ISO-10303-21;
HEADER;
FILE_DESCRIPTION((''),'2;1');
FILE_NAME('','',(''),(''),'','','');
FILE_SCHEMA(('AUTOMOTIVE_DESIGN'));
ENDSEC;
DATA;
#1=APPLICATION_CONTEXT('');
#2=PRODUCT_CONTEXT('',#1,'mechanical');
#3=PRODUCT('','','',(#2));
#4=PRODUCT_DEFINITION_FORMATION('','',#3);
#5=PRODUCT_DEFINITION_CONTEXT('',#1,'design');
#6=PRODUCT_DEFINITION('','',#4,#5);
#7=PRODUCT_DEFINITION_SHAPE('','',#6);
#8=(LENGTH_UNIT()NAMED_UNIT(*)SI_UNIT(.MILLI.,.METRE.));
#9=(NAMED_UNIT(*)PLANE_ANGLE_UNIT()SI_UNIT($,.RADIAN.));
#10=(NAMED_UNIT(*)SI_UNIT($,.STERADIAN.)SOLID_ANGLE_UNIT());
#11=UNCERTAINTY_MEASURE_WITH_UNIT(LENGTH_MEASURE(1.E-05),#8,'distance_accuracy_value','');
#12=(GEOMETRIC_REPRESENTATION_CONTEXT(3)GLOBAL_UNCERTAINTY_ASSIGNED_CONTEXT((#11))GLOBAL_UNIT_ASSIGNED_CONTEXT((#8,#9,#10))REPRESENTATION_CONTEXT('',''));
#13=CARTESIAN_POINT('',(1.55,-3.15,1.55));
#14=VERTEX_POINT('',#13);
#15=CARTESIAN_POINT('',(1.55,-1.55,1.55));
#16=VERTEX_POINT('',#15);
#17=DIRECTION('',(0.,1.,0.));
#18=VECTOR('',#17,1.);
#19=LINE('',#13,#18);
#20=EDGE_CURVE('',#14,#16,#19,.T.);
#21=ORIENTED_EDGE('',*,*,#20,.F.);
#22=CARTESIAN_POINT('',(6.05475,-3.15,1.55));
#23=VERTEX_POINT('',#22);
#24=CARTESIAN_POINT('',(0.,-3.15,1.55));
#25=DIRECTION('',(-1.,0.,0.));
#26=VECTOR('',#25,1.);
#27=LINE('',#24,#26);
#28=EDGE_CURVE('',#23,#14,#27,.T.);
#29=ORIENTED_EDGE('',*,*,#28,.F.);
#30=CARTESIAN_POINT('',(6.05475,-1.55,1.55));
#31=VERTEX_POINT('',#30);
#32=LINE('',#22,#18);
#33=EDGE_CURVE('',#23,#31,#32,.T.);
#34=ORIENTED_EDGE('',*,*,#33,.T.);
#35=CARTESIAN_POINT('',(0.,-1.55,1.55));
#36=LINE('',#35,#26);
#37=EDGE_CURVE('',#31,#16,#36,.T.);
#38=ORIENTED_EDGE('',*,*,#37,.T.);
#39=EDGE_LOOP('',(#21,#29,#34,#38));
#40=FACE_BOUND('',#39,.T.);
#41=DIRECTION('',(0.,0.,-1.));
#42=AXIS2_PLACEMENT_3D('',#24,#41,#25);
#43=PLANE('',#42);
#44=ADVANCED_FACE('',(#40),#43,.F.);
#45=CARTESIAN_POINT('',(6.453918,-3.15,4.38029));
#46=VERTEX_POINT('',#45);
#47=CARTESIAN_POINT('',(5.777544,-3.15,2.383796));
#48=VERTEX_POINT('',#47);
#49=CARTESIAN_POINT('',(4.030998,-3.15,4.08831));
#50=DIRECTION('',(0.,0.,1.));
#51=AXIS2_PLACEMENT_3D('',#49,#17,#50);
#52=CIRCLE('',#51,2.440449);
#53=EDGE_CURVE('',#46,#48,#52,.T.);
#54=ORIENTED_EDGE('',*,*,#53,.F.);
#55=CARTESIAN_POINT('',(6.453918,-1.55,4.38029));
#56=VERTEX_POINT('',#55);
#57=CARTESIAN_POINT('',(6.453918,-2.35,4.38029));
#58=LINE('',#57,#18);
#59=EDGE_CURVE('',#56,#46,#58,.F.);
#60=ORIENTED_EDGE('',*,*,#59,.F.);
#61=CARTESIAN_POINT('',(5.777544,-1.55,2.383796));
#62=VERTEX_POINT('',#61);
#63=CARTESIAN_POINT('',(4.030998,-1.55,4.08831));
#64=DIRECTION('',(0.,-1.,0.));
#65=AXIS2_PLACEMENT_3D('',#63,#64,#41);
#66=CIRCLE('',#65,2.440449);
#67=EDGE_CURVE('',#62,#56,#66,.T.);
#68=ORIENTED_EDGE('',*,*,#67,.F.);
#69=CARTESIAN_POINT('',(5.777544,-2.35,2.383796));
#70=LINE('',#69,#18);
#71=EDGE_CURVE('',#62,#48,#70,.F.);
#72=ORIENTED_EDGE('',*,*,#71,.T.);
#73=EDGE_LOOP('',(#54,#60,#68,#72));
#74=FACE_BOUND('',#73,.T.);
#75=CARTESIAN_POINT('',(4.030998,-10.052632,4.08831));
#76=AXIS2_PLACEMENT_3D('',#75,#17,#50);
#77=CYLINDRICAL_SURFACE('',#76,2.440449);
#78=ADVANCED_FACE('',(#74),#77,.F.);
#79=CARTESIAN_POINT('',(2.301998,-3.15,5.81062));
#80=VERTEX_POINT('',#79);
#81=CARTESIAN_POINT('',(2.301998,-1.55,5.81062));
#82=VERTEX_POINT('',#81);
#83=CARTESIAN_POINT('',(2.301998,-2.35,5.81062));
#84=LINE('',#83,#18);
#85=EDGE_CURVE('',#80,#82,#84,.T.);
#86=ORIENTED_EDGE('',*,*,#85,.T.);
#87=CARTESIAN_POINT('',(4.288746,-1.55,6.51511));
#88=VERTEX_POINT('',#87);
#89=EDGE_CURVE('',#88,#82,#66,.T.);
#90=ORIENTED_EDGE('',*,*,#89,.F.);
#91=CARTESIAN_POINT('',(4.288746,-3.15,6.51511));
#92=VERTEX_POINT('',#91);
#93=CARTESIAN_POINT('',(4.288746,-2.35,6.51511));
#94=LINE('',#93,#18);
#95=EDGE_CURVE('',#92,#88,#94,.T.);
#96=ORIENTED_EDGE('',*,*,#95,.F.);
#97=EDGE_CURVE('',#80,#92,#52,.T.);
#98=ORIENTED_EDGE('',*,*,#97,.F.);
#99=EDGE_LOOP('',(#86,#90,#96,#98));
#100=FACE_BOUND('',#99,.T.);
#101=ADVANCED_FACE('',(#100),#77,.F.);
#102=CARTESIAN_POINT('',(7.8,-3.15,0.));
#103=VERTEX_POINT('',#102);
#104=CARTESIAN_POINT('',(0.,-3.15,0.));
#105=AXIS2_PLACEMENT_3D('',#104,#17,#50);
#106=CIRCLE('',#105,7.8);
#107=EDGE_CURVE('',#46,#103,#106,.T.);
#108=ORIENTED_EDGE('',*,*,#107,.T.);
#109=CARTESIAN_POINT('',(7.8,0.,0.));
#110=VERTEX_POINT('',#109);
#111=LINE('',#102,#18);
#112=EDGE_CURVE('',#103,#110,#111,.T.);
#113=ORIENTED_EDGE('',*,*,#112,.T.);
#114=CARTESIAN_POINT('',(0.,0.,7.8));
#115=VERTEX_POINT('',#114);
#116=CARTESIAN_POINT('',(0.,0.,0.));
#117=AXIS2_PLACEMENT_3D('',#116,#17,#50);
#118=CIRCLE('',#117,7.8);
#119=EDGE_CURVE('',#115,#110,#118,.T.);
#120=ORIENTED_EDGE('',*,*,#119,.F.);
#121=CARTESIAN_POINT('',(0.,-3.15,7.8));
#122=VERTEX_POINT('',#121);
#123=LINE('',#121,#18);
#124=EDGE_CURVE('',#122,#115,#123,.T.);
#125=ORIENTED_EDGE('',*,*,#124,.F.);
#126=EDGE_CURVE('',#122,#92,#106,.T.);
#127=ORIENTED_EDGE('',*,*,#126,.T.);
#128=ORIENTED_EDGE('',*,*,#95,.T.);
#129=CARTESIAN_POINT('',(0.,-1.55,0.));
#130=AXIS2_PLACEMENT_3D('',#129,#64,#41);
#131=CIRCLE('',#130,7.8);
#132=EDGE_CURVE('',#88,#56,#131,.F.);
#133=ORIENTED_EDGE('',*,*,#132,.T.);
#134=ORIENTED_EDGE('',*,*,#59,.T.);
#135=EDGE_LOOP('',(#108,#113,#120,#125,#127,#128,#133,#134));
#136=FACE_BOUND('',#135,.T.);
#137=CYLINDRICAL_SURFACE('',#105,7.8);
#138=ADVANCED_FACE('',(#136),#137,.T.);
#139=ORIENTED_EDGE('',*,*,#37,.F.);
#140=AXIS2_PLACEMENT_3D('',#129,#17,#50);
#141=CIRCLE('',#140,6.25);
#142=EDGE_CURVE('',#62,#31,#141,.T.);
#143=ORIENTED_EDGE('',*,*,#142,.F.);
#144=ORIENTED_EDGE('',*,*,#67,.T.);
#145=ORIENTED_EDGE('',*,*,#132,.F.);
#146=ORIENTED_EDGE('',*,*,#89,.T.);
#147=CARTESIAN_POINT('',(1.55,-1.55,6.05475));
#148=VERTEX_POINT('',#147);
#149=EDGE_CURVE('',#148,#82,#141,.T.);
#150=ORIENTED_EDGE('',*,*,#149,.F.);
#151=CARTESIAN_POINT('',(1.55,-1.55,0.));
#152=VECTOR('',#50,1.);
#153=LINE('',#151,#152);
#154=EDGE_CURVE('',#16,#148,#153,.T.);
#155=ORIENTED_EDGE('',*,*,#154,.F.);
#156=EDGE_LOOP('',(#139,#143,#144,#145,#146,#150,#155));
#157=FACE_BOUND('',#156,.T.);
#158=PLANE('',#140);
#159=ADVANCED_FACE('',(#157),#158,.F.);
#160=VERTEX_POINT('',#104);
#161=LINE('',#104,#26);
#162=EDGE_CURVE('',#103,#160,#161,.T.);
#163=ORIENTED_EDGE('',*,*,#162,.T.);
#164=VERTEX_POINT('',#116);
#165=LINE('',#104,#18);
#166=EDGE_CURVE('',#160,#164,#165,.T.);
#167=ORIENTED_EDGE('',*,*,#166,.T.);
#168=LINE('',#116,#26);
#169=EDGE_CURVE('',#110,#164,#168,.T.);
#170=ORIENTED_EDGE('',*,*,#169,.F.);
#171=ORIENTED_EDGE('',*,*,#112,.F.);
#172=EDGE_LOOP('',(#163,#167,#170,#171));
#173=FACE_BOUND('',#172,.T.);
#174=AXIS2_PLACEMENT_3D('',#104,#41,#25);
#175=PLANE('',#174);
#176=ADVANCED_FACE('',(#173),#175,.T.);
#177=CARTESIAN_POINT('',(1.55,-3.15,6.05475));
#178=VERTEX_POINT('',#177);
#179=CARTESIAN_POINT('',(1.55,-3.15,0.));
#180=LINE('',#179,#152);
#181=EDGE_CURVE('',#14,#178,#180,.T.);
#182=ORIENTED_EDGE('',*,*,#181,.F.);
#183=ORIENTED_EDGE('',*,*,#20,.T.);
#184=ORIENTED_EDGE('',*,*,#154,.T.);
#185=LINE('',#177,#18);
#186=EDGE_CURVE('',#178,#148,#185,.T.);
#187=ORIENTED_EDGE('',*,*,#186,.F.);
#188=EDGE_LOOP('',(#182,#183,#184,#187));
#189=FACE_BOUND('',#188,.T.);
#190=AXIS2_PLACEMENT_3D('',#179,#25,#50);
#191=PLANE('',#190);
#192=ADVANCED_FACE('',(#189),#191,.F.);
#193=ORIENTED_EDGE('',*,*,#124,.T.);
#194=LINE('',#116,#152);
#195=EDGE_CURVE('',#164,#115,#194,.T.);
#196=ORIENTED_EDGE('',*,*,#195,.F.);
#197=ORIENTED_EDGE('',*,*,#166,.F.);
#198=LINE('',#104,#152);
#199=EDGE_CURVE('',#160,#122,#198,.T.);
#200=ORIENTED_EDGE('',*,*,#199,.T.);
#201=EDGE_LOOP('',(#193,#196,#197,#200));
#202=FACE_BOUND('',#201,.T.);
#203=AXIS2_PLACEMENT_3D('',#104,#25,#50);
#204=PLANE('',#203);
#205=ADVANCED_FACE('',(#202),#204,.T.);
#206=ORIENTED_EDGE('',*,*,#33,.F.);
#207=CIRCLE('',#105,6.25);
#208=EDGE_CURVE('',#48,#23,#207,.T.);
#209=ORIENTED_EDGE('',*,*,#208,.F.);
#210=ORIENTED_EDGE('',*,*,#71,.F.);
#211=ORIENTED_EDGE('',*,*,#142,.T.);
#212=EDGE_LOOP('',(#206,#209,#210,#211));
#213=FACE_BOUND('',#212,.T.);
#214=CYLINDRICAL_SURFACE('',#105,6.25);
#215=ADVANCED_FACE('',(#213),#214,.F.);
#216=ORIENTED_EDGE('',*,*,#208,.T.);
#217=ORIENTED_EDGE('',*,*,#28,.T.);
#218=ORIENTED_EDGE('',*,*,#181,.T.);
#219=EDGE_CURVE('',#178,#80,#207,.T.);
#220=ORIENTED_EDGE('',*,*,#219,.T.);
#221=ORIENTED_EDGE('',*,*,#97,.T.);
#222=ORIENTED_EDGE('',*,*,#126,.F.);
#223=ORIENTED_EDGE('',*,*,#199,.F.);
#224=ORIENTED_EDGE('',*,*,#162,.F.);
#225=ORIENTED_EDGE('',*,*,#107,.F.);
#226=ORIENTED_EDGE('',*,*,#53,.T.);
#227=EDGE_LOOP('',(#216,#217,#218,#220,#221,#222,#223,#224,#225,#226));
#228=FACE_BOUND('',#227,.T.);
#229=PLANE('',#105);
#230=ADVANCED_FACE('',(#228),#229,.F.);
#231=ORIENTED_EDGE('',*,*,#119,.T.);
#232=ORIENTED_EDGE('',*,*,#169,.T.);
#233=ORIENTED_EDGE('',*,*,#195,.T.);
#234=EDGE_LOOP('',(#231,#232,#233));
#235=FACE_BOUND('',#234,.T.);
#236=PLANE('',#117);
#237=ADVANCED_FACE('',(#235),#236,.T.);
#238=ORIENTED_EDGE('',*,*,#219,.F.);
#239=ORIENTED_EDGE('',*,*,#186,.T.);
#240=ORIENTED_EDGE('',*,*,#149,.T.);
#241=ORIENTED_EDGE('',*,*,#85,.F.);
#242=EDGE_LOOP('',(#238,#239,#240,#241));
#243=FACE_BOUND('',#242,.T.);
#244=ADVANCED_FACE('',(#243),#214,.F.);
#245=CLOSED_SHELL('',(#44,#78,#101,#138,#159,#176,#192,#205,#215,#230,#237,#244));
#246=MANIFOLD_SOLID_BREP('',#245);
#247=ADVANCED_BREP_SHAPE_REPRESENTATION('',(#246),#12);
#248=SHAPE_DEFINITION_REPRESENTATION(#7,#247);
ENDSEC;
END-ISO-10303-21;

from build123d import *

# Parameters (mm, degrees)
BOSS_EXTRUDE1_DEPTH = 3.15
SHELL1_T            = -1.55
SKETCH2_R           = 2.440449026
CUT_EXTRUDE1_DEPTH  = 1.6


with BuildPart() as part:
    # Sketch1 → Boss-Extrude1 (new body)
    with BuildSketch(Plane(origin=(0, 0, 0), x_dir=(1, 0, 0), z_dir=(0, 1, 0))):
        with BuildLine():
            Line((0, 0), (0, -7.8))
            ThreePointArc((0, -7.8), (5.515432893, -5.515432893), (7.8, 0))
            Line((7.8, 0), (0, 0))
        make_face()
    extrude(amount=-BOSS_EXTRUDE1_DEPTH)

    # Shell1
    shell1_openings = [part.faces().sort_by_distance(p)[0] for p in [
        (3.310422816, -3.15, 3.310422816),
    ]]
    offset(amount=SHELL1_T, openings=shell1_openings, kind=Kind.INTERSECTION)

    # Sketch2 → Cut-Extrude1 (cut)
    with BuildSketch(Plane.XZ.offset(1.55)):
        with Locations((4.030998371, 4.088310158)):
            Circle(SKETCH2_R)
    extrude(amount=CUT_EXTRUDE1_DEPTH, mode=Mode.SUBTRACT)


solid = part.part
